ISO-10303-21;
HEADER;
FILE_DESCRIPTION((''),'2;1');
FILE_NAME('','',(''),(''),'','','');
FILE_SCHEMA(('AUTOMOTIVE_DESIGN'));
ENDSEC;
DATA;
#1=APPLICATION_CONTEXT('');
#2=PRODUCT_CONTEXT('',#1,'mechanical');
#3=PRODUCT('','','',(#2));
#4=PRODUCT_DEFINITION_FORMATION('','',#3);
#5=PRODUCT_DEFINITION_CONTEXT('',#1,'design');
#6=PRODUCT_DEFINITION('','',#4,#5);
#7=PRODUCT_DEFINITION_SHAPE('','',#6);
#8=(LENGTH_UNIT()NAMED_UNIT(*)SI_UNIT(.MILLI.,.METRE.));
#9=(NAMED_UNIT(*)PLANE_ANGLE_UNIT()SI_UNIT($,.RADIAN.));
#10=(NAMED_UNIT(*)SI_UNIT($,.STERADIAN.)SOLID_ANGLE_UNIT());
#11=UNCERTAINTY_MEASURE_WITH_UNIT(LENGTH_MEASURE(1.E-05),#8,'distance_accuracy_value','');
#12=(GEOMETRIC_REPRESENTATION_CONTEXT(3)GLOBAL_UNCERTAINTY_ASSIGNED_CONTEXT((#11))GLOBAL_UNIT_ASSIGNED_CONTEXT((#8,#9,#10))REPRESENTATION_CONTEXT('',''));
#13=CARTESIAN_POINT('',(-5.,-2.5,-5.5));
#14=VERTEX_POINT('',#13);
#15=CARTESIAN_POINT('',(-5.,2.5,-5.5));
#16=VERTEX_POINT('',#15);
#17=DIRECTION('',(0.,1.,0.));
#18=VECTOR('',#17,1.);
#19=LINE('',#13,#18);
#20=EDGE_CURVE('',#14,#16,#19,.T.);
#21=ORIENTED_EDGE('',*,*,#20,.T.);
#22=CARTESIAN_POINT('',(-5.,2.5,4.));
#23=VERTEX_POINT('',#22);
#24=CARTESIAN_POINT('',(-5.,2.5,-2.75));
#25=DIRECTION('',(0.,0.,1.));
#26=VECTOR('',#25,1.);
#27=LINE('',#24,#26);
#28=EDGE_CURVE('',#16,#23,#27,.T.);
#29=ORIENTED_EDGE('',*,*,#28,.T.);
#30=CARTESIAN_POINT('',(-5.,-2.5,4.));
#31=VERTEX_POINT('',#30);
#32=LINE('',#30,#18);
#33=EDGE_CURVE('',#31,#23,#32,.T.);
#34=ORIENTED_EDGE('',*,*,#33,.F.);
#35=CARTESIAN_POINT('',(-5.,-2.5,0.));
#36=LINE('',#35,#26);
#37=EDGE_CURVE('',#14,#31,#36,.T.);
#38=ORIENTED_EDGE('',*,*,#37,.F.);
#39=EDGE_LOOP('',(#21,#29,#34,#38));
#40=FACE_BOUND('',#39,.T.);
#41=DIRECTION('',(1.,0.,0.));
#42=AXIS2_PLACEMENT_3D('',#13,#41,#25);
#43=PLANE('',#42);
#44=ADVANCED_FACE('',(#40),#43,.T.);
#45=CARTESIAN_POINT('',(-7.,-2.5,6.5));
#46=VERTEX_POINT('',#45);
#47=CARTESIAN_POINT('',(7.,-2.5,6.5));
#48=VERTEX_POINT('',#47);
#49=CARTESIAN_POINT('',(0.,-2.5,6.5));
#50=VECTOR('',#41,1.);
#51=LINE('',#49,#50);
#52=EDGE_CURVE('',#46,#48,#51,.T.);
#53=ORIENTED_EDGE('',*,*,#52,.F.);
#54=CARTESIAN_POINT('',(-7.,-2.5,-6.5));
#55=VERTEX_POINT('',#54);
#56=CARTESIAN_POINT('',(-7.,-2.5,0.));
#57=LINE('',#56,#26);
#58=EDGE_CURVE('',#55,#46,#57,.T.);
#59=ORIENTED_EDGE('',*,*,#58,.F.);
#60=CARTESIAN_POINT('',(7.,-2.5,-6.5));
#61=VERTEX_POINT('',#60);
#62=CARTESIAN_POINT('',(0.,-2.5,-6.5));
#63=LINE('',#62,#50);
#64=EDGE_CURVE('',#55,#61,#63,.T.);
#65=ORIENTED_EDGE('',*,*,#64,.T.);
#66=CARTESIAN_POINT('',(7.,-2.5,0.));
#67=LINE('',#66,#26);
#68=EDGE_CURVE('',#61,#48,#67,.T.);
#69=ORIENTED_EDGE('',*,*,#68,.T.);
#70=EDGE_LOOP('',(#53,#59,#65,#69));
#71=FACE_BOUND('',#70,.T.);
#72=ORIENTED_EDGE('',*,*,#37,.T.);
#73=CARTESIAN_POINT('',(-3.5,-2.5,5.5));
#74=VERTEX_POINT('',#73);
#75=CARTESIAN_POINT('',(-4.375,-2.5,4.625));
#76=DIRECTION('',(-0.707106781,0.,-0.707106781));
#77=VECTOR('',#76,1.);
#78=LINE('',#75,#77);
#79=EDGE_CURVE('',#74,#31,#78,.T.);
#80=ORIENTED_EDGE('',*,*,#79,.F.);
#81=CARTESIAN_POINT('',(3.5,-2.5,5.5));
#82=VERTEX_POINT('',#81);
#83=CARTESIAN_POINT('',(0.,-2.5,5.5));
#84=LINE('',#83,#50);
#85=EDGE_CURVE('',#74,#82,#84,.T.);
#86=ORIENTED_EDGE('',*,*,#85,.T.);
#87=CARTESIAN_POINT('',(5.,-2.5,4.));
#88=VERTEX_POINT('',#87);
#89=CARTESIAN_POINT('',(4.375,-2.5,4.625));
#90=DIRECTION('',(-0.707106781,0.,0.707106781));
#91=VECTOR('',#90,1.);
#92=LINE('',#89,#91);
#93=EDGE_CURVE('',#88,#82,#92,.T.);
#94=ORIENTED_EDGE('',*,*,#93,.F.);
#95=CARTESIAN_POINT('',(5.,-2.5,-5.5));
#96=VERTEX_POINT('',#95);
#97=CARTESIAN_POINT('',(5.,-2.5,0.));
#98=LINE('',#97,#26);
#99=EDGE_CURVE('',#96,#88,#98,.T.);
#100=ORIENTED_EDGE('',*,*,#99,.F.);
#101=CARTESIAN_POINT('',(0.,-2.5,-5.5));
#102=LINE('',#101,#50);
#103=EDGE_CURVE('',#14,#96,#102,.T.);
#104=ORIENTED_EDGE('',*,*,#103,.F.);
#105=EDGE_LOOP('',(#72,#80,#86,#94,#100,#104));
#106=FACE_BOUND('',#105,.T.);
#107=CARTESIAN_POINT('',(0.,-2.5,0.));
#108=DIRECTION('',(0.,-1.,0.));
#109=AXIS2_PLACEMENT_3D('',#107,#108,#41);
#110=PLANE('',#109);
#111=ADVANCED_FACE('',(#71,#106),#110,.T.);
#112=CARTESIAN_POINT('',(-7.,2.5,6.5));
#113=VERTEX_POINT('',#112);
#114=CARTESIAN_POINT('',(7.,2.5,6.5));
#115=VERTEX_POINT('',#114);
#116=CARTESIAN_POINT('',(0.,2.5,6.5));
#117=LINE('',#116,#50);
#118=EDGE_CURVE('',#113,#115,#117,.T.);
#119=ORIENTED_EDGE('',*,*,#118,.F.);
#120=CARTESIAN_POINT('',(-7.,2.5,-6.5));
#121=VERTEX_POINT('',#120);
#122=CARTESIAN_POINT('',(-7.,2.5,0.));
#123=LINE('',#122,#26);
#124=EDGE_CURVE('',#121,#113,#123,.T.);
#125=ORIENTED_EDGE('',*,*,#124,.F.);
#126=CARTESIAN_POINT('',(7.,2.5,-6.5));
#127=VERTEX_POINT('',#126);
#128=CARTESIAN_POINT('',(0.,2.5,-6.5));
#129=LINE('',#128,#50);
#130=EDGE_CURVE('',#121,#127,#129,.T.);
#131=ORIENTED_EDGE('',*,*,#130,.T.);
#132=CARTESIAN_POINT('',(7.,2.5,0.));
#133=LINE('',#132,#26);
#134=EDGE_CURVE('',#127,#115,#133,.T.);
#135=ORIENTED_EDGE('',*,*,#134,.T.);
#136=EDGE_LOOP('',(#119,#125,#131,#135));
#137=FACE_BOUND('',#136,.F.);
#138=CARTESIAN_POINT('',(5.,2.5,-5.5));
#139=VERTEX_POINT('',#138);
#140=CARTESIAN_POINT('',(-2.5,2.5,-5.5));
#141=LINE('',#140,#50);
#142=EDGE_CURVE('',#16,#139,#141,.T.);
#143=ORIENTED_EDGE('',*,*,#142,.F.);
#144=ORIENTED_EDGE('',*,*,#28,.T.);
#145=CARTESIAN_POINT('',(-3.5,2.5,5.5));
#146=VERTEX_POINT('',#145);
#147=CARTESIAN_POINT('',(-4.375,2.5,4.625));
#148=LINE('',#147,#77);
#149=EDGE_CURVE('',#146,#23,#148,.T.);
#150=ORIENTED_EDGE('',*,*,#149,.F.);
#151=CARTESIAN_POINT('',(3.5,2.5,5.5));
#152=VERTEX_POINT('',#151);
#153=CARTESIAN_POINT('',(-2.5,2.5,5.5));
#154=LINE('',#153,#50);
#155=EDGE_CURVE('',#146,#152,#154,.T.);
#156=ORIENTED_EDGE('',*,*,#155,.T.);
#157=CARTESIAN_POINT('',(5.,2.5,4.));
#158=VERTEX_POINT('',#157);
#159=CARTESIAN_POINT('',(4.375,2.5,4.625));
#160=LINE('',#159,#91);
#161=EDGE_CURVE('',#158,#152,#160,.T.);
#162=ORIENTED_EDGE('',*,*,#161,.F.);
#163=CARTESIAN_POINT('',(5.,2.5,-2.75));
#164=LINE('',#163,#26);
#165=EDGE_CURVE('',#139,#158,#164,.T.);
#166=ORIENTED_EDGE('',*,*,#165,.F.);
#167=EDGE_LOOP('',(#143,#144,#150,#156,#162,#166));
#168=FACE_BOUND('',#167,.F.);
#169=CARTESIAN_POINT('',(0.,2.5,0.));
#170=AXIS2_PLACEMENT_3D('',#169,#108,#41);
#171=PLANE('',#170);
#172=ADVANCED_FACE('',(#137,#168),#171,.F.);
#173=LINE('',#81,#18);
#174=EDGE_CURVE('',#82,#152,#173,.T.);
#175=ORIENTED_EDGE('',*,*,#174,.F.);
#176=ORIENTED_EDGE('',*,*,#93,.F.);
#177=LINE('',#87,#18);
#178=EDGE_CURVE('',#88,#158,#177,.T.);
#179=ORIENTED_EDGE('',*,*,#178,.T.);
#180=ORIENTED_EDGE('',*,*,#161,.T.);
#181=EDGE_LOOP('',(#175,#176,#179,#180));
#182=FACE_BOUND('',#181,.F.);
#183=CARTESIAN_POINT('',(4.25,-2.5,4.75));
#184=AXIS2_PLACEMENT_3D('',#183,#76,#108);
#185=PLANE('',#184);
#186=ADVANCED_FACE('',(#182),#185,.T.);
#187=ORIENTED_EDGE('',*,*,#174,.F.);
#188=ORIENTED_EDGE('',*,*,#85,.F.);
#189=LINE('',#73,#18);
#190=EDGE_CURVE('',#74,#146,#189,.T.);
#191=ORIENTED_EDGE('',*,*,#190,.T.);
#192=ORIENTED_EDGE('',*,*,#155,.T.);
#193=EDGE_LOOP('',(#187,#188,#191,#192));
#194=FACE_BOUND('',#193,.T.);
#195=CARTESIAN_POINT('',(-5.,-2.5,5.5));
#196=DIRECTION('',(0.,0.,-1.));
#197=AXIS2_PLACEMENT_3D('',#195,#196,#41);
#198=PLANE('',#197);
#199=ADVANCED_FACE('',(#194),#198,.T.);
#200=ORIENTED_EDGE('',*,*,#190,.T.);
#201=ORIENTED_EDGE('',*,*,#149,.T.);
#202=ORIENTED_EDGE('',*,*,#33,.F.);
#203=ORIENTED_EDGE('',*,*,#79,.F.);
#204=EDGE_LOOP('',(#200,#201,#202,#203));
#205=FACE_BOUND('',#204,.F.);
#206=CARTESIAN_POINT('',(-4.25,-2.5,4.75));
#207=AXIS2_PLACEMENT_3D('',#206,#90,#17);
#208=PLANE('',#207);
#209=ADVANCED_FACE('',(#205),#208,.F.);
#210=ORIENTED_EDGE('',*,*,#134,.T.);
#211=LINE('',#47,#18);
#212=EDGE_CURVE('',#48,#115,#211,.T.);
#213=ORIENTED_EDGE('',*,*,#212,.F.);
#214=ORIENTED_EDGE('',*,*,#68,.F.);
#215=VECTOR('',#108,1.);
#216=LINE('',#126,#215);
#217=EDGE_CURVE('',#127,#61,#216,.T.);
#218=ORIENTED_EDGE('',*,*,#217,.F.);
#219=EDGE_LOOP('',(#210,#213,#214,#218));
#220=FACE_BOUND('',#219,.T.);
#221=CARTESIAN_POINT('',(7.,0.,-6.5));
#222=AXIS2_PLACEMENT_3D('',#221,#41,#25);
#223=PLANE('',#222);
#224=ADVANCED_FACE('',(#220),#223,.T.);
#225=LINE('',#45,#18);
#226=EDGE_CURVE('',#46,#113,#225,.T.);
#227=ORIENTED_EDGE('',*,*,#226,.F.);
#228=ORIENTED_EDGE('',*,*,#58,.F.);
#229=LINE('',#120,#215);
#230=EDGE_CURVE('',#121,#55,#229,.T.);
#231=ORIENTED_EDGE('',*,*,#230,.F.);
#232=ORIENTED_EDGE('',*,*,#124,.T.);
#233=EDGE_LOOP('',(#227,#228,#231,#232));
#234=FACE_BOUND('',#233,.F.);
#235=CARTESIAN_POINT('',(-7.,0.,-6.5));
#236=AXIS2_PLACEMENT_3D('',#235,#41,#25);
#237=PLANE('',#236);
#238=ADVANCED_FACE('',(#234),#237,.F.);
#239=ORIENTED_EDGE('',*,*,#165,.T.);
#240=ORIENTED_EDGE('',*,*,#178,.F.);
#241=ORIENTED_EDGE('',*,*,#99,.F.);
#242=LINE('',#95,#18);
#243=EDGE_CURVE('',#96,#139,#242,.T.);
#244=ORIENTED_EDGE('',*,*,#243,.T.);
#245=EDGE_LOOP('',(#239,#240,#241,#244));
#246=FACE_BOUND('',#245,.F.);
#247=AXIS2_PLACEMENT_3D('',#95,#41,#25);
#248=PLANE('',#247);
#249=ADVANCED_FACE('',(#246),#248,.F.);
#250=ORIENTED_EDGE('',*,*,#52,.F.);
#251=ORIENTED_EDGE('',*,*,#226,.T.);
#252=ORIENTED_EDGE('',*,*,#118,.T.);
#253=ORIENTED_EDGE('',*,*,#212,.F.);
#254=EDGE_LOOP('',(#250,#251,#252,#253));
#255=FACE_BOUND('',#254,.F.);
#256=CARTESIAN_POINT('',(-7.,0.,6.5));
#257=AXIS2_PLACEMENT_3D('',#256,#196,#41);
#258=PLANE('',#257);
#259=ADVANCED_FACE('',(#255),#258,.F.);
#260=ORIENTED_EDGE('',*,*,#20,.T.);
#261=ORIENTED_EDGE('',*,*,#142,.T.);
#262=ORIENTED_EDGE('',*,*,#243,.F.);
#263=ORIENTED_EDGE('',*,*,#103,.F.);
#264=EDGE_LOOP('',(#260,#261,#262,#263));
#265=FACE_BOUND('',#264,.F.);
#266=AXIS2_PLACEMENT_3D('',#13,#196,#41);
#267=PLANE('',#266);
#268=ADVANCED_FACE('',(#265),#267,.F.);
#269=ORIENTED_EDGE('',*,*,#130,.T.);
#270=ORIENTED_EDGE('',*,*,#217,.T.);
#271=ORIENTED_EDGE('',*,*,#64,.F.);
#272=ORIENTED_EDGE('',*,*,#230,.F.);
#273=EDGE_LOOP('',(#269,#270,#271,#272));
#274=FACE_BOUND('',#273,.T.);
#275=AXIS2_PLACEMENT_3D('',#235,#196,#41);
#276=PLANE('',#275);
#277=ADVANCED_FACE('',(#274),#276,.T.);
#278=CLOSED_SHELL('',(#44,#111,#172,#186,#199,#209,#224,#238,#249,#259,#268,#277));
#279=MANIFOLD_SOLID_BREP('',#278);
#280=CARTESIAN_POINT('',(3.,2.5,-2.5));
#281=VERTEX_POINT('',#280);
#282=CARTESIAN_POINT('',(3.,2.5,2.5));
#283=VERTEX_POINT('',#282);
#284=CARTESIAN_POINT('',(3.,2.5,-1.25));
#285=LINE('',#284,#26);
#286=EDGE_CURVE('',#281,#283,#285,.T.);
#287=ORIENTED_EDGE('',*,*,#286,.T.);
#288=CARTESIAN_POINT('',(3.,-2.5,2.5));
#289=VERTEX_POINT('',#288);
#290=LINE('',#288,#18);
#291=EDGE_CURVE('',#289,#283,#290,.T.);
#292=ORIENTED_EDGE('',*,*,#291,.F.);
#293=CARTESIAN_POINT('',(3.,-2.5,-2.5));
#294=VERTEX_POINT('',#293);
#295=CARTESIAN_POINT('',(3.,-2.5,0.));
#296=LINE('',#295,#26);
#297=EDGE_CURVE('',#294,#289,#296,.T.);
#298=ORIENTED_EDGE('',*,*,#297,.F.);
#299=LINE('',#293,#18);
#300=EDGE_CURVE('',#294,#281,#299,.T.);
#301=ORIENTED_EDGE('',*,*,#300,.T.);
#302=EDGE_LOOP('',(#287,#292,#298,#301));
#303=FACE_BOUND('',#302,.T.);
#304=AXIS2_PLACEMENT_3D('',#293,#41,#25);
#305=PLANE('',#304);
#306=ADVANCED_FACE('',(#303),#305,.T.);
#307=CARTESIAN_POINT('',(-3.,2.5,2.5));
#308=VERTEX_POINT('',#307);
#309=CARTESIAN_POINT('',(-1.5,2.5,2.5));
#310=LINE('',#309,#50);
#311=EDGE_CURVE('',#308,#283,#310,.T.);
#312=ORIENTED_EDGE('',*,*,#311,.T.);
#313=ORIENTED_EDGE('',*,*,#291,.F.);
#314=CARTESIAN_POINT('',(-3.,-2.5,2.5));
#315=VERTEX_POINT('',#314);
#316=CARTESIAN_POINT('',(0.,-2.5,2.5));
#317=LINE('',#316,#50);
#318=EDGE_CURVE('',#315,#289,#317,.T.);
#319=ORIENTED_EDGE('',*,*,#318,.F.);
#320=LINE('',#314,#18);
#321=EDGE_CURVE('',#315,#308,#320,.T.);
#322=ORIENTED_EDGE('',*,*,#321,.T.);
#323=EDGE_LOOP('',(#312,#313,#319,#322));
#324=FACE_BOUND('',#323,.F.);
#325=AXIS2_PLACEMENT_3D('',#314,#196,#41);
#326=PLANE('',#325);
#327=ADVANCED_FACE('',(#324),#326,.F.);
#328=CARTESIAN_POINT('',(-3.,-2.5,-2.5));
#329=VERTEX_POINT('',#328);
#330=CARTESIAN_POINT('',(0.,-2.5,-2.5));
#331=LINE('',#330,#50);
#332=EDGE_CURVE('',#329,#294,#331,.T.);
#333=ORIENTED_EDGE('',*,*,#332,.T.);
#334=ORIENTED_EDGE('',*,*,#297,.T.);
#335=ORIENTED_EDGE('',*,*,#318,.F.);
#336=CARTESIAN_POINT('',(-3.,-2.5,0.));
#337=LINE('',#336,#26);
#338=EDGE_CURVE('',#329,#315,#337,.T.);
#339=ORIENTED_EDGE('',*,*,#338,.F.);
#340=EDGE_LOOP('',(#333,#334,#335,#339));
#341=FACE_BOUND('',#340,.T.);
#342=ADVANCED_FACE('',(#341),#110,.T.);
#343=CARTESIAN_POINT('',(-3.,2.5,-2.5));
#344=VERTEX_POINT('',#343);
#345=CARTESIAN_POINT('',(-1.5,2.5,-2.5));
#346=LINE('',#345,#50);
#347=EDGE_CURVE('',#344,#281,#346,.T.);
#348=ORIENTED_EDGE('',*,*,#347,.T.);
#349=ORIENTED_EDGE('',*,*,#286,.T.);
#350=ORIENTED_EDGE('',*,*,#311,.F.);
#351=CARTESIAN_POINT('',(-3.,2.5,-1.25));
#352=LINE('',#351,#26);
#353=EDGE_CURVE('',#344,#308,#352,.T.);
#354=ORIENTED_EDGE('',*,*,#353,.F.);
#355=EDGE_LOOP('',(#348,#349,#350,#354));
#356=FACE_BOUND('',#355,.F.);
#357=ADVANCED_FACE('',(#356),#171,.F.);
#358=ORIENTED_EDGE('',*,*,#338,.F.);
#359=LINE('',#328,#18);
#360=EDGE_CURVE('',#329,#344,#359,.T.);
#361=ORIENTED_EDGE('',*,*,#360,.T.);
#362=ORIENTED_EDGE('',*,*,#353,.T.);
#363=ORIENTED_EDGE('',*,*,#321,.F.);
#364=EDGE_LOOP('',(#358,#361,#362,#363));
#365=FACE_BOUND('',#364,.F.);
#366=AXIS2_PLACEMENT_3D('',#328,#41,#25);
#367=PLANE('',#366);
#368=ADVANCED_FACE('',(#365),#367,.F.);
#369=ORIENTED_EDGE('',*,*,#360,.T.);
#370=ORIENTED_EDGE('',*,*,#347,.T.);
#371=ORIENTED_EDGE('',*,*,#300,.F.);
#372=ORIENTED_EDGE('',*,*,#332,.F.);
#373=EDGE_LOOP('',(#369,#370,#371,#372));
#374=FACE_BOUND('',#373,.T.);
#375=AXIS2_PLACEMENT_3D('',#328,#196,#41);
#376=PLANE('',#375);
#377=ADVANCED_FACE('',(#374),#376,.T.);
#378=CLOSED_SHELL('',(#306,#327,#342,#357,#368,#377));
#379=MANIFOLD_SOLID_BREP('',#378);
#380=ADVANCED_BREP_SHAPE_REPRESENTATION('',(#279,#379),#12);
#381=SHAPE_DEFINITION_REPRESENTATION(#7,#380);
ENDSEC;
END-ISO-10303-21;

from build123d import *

# Parameters (mm, degrees)
F0_W     = 14
F0_H     = 13
F1_DEPTH = 2.5
F2_W     = 10
F2_H     = 11
F2_W_2   = 6
F2_H_2   = 5
F3_DEPTH = 5.001
F4_SIZE  = 1.5


with BuildPart() as f1:
    # F0 (on Front) → F1 (new body, symmetric)
    with BuildSketch(Plane.XZ):
        Rectangle(F0_W, F0_H)
    extrude(amount=F1_DEPTH, both=True)

    # F2 (on face) → F3 (cut, through all)
    with BuildSketch(Plane.XZ.offset(2.5)):
        Rectangle(F2_W, F2_H)
        Rectangle(F2_W_2, F2_H_2, mode=Mode.SUBTRACT)
    extrude(amount=-F3_DEPTH, mode=Mode.SUBTRACT)

    # F4
    f4_edges = [f1.edges().sort_by_distance(p)[0] for p in [
        (-5, 0, 5.5),
        (5, 0, 5.5),
    ]]
    chamfer(f4_edges, length=F4_SIZE)


solid = f1.part
